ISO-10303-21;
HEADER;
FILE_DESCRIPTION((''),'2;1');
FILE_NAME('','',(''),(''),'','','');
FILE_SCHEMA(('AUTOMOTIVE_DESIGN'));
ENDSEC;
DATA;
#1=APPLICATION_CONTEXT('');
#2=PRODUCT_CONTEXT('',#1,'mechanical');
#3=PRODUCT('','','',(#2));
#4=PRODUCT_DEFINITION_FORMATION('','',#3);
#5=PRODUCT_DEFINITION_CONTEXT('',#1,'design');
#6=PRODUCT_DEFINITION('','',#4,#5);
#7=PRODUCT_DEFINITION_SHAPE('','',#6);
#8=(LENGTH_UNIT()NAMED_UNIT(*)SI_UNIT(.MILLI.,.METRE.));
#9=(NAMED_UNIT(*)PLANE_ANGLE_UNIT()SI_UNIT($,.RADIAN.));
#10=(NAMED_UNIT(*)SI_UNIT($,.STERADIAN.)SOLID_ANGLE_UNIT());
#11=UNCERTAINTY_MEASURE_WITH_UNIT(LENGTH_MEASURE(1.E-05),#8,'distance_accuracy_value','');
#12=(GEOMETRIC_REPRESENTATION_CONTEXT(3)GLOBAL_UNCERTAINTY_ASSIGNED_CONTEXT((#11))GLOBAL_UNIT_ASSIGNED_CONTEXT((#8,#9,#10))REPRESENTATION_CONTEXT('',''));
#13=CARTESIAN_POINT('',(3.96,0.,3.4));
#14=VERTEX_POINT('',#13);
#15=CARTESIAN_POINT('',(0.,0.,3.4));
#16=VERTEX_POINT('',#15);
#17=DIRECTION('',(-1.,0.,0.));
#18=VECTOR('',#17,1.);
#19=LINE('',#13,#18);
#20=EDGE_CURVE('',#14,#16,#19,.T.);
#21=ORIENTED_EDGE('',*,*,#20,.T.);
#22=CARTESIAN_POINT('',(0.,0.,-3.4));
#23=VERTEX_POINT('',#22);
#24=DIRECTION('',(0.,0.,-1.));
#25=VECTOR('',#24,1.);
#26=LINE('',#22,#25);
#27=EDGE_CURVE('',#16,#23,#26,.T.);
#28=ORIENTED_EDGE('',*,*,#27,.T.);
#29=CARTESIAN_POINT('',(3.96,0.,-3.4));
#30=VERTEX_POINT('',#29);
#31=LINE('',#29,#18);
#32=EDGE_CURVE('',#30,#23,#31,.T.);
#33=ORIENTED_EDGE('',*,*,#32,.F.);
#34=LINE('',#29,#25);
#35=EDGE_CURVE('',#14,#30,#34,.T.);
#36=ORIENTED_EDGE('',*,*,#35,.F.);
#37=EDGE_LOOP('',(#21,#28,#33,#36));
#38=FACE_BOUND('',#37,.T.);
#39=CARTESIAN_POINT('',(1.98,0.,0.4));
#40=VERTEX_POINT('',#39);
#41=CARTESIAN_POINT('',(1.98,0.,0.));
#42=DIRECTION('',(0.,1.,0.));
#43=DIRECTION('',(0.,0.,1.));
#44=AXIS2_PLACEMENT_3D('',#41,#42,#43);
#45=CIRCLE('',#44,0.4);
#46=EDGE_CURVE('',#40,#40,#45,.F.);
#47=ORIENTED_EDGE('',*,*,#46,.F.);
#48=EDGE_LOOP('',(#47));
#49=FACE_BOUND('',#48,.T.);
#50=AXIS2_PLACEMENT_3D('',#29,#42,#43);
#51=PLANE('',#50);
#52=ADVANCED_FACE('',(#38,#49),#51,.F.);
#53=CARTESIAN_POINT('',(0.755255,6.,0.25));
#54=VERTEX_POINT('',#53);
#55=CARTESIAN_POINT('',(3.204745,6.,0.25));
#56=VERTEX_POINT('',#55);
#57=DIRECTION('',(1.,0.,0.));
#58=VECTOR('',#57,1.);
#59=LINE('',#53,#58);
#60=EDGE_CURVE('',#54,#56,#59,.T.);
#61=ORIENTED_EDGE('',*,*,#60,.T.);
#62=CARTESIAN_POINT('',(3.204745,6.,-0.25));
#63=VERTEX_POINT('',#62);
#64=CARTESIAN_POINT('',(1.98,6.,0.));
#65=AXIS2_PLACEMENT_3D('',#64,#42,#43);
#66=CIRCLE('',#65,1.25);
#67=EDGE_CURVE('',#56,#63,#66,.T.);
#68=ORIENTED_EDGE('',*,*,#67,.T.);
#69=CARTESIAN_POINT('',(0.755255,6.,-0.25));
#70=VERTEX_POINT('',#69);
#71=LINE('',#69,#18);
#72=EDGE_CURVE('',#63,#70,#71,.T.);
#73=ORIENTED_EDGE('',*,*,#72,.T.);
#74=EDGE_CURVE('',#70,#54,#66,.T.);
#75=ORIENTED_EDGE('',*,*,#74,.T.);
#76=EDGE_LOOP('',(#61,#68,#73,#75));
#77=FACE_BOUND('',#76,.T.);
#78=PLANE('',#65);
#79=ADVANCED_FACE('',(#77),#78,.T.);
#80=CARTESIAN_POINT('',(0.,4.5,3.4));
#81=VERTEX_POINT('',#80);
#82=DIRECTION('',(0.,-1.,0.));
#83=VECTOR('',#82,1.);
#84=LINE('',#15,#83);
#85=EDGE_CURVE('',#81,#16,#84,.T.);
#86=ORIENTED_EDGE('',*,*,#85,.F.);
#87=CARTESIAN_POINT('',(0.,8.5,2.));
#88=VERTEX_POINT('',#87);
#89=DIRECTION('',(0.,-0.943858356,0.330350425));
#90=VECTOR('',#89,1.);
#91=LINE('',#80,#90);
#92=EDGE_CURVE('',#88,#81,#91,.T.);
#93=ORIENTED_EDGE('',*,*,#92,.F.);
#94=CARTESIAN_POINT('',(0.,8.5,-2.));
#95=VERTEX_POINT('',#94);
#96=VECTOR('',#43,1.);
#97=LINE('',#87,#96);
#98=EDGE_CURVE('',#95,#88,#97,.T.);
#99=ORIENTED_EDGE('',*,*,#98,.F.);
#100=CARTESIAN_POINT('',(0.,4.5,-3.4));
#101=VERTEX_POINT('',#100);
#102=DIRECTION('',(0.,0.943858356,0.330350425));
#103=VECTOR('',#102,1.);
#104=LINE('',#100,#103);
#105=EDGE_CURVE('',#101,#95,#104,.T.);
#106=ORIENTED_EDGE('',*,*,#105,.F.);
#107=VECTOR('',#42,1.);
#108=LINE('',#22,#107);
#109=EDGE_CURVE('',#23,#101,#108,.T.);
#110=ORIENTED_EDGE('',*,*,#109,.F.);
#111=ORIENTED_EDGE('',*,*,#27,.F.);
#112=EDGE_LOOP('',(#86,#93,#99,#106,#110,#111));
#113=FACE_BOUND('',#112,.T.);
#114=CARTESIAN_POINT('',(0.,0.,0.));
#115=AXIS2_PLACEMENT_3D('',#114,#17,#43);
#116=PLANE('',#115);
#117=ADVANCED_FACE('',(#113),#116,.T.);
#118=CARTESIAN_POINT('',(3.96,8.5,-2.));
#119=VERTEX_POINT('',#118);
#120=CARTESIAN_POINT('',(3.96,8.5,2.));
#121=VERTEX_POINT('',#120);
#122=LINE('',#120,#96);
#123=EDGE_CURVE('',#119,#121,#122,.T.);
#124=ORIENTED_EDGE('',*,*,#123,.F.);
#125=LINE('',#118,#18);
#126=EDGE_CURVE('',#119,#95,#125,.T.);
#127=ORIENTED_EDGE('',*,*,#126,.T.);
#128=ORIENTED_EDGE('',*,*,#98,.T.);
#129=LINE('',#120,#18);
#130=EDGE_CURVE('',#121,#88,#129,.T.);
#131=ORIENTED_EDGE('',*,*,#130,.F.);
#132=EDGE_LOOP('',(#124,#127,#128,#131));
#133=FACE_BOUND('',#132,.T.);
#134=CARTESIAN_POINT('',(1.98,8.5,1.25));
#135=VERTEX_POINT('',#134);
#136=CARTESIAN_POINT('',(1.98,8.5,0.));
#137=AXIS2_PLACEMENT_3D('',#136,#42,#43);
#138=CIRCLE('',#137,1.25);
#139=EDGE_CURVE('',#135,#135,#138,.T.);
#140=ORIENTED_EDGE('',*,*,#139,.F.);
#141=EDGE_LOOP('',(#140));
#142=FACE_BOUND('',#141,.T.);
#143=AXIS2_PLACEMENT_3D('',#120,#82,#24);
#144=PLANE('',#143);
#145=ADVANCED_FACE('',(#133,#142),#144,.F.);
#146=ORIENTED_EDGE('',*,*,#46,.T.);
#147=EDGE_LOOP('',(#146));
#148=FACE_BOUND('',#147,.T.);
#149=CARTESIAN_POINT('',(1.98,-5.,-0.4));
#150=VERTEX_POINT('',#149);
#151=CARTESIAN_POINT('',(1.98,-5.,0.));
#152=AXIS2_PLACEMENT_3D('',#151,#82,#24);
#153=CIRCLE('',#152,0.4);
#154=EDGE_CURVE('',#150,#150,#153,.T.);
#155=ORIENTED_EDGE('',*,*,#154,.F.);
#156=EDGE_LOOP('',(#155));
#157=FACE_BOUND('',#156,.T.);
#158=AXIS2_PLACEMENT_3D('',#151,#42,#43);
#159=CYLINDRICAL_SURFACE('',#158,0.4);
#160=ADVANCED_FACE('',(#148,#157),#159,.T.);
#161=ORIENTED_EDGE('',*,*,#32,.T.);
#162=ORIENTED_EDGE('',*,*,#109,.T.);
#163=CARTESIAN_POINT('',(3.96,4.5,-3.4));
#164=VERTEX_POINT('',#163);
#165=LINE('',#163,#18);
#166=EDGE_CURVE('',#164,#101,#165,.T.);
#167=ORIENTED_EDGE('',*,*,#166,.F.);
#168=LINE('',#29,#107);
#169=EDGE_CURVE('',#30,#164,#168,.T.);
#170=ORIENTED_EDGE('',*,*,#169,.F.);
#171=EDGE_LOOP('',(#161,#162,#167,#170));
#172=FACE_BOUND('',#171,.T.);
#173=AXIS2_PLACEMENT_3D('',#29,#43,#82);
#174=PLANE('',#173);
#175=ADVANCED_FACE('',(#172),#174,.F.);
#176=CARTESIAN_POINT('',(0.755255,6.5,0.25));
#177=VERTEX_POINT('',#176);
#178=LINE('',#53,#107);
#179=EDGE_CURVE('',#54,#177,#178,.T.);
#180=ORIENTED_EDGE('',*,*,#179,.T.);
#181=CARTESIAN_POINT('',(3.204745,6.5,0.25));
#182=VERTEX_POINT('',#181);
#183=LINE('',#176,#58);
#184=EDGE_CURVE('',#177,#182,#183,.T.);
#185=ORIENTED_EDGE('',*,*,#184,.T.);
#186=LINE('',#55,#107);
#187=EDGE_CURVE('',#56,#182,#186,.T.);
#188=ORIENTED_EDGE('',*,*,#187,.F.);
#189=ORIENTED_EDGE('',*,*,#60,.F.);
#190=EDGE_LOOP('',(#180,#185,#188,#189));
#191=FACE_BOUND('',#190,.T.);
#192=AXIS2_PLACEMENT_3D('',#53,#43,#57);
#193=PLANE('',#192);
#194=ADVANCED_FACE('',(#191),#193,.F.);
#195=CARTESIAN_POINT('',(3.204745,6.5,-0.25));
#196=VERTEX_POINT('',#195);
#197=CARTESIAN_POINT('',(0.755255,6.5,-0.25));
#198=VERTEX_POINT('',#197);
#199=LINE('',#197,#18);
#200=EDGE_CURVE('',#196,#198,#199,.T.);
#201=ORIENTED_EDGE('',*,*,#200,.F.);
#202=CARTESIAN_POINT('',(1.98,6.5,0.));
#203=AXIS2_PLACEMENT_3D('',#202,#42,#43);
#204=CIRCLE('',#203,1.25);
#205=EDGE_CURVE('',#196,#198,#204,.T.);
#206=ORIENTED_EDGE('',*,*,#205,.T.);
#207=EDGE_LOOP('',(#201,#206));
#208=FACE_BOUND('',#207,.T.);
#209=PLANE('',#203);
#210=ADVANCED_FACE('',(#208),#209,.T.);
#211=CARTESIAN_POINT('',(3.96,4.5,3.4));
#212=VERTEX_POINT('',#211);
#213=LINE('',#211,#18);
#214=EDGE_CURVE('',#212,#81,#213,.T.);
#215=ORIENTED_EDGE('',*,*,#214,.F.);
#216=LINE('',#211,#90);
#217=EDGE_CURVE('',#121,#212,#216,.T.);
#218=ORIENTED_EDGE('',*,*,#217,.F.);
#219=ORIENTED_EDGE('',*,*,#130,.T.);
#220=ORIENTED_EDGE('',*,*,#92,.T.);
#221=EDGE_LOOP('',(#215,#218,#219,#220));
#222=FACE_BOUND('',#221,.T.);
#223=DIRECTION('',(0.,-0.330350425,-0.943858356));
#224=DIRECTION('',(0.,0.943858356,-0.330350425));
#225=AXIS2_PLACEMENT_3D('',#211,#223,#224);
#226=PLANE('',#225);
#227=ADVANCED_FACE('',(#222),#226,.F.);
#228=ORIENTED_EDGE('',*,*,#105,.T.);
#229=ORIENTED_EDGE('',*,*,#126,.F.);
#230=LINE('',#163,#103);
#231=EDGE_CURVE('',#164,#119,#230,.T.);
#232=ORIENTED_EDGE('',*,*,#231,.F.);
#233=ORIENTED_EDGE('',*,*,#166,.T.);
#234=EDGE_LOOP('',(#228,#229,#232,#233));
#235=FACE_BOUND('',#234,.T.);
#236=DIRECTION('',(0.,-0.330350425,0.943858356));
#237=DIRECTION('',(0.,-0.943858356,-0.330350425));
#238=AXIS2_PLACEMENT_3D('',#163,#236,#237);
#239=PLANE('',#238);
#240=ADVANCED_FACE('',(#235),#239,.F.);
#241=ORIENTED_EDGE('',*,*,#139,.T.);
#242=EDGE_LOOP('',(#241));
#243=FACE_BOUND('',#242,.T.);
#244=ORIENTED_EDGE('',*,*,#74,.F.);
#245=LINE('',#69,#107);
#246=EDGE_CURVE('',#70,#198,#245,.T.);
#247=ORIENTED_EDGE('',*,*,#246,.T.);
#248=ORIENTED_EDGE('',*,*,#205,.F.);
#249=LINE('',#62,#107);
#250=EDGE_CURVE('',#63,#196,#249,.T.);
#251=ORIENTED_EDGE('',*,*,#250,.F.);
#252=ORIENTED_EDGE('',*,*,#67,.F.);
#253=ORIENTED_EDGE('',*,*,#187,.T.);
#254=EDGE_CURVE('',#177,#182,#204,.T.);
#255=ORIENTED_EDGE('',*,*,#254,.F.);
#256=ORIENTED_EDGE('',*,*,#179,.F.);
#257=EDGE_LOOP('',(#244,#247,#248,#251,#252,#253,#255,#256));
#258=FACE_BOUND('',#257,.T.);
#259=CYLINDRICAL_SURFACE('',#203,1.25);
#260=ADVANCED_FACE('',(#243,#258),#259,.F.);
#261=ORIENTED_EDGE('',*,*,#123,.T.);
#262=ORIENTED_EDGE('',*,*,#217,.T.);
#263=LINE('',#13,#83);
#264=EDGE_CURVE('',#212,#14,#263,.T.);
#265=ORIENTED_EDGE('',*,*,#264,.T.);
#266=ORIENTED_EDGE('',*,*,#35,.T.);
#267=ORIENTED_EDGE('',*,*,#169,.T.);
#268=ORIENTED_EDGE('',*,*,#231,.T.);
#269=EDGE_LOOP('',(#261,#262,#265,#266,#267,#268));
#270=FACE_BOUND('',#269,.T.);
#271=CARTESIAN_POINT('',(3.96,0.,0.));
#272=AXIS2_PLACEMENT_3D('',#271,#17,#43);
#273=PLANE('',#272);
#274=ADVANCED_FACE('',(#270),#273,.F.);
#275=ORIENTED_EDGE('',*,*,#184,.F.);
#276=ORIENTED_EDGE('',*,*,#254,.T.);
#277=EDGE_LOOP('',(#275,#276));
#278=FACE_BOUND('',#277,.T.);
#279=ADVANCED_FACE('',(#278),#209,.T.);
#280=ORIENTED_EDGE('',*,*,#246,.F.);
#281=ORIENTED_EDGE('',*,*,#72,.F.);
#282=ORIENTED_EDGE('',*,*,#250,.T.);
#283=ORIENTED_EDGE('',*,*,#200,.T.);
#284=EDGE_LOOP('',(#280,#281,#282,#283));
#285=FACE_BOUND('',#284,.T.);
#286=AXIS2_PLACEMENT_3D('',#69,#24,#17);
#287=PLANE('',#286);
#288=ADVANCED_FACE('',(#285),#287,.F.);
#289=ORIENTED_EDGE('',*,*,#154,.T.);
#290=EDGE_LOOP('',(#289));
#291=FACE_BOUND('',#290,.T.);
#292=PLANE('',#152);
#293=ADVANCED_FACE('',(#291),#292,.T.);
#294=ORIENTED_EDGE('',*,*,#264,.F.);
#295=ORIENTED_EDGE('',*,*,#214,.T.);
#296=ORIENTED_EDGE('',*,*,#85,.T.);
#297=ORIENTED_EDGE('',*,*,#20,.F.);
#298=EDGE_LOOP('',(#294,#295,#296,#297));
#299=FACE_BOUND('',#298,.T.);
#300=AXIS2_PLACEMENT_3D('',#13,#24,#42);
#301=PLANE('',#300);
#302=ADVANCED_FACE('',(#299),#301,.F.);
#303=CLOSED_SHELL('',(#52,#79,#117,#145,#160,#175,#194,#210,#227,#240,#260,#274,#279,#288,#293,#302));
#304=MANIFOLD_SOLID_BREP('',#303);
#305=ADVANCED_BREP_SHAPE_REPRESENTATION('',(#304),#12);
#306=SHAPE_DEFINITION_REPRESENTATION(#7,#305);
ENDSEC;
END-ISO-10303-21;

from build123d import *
from build123d.topology import SkipClean

# Parameters (mm, degrees)
EXTRUDE_1_DEPTH     = 3.96
SKETCH_3_R          = 1.25
CUT_EXTRUDE_1_DEPTH = 2
CUT_EXTRUDE_2_DEPTH = 0.5
SKETCH_5_R          = 0.4
EXTRUDE_2_DEPTH     = 5


with BuildPart() as part:
    # 草图1 → 凸台-拉伸1 (new body)
    with BuildSketch(Plane(origin=(0, 0, 0), x_dir=(0, 0, -1), z_dir=(1, 0, 0))):
        Polygon((3.4, 0), (-3.4, 0), (-3.4, 4.5), (-2, 8.5), (2, 8.5), (3.4, 4.5), align=None)
    extrude(amount=EXTRUDE_1_DEPTH)

    # 草图3 → 切除-拉伸1 (cut)
    with BuildSketch(Plane(origin=(0, 8.5, 0), x_dir=(1, 0, 0), z_dir=(0, 1, 0))):
        with Locations(Location((1.98, 0, 0), (0, 0, 270))):
            Circle(SKETCH_3_R)
    extrude(amount=-CUT_EXTRUDE_1_DEPTH, mode=Mode.SUBTRACT)

    # 草图4 → 切除-拉伸2 (cut)
    with SkipClean():  # the faces are left unmerged after this step: merging them gives an invalid solid
        with BuildSketch(Plane(origin=(0, 6.5, 0), x_dir=(1, 0, 0), z_dir=(0, 1, 0))):
            with BuildLine():
                Line((0.755255129, 0.25), (3.204744871, 0.25))
                ThreePointArc((3.204744871, 0.25), (3.23, 0), (3.204744871, -0.25))
                Line((3.204744871, -0.25), (0.755255129, -0.25))
                ThreePointArc((0.755255129, -0.25), (0.73, 0), (0.755255129, 0.25))
            make_face()
        extrude(amount=-CUT_EXTRUDE_2_DEPTH, mode=Mode.SUBTRACT)

    # 草图5 → 凸台-拉伸2 (add)
    with SkipClean():  # the faces are left unmerged after this step: merging them gives an invalid solid
        with BuildSketch(Plane.XZ):
            with Locations(Location((1.98, 0, 0), (0, 0, 90))):
                Circle(SKETCH_5_R)
        extrude(amount=EXTRUDE_2_DEPTH)


solid = part.part
